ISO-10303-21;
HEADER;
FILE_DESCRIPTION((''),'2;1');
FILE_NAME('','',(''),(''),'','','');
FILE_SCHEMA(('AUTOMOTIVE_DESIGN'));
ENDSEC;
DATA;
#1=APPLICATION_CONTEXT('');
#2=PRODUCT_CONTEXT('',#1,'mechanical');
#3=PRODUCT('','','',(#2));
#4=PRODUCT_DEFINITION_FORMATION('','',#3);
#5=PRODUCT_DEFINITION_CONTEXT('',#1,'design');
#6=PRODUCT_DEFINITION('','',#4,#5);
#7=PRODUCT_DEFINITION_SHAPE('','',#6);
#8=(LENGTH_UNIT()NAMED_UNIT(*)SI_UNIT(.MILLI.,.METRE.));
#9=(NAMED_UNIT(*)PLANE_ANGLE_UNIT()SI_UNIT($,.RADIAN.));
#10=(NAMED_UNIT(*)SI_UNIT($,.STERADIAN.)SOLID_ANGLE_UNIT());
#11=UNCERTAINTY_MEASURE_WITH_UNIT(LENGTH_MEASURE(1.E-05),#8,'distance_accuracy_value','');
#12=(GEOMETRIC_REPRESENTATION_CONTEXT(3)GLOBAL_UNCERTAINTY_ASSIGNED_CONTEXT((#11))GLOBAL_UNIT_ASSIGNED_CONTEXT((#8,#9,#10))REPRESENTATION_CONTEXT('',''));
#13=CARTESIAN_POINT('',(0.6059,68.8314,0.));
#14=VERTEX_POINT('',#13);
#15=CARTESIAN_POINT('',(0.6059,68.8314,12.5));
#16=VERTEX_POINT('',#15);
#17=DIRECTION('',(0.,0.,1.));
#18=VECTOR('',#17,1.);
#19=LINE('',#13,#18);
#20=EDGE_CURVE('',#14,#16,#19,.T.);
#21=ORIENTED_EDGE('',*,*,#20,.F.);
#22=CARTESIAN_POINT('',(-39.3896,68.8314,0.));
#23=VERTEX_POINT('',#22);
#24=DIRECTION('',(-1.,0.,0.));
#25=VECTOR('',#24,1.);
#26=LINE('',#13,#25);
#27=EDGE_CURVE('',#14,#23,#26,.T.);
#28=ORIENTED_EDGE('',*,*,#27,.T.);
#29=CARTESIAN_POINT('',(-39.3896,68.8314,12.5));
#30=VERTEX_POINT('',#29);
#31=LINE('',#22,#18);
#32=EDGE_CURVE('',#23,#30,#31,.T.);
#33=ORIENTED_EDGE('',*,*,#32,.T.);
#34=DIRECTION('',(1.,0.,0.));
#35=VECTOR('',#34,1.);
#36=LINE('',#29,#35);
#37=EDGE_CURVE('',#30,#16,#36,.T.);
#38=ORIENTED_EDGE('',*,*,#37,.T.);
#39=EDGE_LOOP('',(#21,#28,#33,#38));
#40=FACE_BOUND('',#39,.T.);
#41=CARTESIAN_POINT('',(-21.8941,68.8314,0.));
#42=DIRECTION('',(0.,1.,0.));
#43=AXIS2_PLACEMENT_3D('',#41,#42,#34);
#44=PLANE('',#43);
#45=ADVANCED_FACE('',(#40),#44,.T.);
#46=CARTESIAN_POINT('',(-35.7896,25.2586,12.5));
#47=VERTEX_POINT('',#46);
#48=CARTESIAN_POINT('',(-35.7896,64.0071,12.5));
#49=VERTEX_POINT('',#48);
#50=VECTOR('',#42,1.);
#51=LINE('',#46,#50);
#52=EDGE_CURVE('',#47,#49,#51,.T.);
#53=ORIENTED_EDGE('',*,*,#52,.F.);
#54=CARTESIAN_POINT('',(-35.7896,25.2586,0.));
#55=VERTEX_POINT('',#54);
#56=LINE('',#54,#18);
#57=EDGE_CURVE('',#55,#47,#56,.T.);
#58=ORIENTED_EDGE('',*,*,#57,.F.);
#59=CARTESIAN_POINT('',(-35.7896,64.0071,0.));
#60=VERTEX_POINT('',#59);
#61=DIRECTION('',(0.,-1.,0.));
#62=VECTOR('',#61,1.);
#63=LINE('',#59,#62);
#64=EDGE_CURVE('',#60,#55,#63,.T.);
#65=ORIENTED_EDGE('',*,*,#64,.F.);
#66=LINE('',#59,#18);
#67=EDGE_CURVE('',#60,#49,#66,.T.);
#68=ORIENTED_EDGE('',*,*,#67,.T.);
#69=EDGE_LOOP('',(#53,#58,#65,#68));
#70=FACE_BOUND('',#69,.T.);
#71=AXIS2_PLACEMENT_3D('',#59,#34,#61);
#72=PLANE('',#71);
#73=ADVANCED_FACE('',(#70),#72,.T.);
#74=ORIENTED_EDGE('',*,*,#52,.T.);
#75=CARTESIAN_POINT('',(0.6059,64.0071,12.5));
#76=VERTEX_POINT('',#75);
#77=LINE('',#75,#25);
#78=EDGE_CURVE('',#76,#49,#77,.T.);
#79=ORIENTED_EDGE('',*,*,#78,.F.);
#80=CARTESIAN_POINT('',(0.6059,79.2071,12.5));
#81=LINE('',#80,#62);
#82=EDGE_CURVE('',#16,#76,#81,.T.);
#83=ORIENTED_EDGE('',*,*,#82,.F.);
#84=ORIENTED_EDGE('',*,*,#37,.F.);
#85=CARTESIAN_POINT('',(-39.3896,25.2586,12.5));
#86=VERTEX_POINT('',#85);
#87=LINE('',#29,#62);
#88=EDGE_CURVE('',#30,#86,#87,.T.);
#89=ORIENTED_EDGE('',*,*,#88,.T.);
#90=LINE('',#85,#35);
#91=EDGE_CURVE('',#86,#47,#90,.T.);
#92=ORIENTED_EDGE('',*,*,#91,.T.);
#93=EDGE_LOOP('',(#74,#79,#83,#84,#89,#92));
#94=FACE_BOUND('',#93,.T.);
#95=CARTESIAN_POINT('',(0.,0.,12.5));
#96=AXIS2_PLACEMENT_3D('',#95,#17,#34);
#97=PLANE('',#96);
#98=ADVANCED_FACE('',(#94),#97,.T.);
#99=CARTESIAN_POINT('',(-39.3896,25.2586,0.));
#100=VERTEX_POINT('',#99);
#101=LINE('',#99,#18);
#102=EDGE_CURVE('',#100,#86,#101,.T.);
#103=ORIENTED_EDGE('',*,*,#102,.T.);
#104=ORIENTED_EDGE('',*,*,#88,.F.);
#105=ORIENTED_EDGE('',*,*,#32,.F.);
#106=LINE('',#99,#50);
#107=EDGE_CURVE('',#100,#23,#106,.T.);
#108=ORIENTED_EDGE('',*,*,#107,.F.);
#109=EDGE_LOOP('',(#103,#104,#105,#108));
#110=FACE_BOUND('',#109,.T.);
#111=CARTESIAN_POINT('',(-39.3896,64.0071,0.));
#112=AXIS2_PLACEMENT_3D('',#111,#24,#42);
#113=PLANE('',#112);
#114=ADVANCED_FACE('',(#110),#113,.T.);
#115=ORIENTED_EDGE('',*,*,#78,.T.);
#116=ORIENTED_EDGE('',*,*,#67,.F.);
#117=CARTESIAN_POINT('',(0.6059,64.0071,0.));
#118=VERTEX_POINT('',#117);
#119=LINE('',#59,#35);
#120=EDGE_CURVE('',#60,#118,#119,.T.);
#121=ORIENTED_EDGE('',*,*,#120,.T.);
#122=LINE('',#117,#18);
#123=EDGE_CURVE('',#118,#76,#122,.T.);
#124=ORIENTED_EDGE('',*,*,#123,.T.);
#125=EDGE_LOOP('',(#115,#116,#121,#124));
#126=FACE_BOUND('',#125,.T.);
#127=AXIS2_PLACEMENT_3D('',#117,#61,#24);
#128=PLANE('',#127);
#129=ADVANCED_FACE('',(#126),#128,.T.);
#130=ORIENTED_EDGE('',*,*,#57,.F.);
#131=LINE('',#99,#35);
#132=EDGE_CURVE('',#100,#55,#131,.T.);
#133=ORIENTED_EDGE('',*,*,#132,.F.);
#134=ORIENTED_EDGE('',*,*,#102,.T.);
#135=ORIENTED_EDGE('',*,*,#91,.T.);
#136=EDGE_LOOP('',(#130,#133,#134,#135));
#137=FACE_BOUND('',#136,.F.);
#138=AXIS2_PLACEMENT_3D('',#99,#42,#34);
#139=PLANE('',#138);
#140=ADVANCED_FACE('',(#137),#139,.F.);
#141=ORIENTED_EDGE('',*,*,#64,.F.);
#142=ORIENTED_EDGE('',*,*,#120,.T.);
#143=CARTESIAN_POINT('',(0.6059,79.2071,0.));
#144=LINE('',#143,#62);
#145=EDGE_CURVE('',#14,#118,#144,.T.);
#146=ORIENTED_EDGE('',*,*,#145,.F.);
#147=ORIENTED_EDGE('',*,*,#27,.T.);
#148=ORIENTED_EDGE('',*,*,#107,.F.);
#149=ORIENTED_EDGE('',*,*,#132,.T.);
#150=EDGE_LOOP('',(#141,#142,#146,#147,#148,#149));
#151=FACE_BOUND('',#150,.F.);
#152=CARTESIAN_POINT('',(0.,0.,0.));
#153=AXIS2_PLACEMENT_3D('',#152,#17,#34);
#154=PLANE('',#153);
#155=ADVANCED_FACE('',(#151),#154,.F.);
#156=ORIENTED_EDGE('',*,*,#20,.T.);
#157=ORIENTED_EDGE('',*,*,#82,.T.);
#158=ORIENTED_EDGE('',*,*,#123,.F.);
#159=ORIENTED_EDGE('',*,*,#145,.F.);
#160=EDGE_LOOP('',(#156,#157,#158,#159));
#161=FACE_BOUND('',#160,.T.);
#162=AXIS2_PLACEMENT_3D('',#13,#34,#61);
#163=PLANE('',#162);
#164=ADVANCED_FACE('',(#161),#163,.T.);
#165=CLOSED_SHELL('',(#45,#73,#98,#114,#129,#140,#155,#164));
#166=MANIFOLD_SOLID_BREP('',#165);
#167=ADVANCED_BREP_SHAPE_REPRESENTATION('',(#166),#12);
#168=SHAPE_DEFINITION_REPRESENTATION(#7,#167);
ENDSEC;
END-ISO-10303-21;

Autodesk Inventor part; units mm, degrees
ref_plane "YZ Plane" through (0, 0, 0) normal (1, 0, 0) x (0, 1, 0)
ref_plane "XZ Plane" through (0, 0, 0) normal (0, 1, 0) x (-1, 0, 0)
sketch "Sketch2" plane through (0, 0, 0) normal (0, 0, 1) x (1, 0, 0)
  line L0 (0.6059, 79.2071) -> (0.6059, 64.0071) projected
  line L1 (-21.8941, 64.0071) -> (-21.8941, 79.2071) projected
  line L2 (-35.7896, 30.0586) -> (-39.3896, 30.0586) projected
  line L3 (-39.3896, 25.2586) -> (-35.7896, 25.2586) projected
  line L4 (-35.7896, 25.2586) -> (-39.3896, 25.2586)
  line L5 (-39.3896, 25.2586) -> (-39.3896, 68.8314)
  line L6 (-35.7896, 64.0071) -> (-35.7896, 25.2586)
  line L7 (0.6059, 64.0071) -> (-35.7896, 64.0071)
  line L8 (-39.3896, 64.0071) -> (-39.3896, 68.8314)
  line L9 (-39.3896, 68.8314) -> (0.6059, 68.8314)
  line L10 (0.6059, 68.8314) -> (0.6059, 64.0071)
  point P0 (0, 0)
ref_plane "Work Plane1" through (-26.6941, 57.0071, 12.5) normal (0, 0, 1) x (1, 0, 0)
extrude "Extrusion1" add sketch "Sketch2" along normal up to surface (12.5 mm away)
properties part number "frame2"
